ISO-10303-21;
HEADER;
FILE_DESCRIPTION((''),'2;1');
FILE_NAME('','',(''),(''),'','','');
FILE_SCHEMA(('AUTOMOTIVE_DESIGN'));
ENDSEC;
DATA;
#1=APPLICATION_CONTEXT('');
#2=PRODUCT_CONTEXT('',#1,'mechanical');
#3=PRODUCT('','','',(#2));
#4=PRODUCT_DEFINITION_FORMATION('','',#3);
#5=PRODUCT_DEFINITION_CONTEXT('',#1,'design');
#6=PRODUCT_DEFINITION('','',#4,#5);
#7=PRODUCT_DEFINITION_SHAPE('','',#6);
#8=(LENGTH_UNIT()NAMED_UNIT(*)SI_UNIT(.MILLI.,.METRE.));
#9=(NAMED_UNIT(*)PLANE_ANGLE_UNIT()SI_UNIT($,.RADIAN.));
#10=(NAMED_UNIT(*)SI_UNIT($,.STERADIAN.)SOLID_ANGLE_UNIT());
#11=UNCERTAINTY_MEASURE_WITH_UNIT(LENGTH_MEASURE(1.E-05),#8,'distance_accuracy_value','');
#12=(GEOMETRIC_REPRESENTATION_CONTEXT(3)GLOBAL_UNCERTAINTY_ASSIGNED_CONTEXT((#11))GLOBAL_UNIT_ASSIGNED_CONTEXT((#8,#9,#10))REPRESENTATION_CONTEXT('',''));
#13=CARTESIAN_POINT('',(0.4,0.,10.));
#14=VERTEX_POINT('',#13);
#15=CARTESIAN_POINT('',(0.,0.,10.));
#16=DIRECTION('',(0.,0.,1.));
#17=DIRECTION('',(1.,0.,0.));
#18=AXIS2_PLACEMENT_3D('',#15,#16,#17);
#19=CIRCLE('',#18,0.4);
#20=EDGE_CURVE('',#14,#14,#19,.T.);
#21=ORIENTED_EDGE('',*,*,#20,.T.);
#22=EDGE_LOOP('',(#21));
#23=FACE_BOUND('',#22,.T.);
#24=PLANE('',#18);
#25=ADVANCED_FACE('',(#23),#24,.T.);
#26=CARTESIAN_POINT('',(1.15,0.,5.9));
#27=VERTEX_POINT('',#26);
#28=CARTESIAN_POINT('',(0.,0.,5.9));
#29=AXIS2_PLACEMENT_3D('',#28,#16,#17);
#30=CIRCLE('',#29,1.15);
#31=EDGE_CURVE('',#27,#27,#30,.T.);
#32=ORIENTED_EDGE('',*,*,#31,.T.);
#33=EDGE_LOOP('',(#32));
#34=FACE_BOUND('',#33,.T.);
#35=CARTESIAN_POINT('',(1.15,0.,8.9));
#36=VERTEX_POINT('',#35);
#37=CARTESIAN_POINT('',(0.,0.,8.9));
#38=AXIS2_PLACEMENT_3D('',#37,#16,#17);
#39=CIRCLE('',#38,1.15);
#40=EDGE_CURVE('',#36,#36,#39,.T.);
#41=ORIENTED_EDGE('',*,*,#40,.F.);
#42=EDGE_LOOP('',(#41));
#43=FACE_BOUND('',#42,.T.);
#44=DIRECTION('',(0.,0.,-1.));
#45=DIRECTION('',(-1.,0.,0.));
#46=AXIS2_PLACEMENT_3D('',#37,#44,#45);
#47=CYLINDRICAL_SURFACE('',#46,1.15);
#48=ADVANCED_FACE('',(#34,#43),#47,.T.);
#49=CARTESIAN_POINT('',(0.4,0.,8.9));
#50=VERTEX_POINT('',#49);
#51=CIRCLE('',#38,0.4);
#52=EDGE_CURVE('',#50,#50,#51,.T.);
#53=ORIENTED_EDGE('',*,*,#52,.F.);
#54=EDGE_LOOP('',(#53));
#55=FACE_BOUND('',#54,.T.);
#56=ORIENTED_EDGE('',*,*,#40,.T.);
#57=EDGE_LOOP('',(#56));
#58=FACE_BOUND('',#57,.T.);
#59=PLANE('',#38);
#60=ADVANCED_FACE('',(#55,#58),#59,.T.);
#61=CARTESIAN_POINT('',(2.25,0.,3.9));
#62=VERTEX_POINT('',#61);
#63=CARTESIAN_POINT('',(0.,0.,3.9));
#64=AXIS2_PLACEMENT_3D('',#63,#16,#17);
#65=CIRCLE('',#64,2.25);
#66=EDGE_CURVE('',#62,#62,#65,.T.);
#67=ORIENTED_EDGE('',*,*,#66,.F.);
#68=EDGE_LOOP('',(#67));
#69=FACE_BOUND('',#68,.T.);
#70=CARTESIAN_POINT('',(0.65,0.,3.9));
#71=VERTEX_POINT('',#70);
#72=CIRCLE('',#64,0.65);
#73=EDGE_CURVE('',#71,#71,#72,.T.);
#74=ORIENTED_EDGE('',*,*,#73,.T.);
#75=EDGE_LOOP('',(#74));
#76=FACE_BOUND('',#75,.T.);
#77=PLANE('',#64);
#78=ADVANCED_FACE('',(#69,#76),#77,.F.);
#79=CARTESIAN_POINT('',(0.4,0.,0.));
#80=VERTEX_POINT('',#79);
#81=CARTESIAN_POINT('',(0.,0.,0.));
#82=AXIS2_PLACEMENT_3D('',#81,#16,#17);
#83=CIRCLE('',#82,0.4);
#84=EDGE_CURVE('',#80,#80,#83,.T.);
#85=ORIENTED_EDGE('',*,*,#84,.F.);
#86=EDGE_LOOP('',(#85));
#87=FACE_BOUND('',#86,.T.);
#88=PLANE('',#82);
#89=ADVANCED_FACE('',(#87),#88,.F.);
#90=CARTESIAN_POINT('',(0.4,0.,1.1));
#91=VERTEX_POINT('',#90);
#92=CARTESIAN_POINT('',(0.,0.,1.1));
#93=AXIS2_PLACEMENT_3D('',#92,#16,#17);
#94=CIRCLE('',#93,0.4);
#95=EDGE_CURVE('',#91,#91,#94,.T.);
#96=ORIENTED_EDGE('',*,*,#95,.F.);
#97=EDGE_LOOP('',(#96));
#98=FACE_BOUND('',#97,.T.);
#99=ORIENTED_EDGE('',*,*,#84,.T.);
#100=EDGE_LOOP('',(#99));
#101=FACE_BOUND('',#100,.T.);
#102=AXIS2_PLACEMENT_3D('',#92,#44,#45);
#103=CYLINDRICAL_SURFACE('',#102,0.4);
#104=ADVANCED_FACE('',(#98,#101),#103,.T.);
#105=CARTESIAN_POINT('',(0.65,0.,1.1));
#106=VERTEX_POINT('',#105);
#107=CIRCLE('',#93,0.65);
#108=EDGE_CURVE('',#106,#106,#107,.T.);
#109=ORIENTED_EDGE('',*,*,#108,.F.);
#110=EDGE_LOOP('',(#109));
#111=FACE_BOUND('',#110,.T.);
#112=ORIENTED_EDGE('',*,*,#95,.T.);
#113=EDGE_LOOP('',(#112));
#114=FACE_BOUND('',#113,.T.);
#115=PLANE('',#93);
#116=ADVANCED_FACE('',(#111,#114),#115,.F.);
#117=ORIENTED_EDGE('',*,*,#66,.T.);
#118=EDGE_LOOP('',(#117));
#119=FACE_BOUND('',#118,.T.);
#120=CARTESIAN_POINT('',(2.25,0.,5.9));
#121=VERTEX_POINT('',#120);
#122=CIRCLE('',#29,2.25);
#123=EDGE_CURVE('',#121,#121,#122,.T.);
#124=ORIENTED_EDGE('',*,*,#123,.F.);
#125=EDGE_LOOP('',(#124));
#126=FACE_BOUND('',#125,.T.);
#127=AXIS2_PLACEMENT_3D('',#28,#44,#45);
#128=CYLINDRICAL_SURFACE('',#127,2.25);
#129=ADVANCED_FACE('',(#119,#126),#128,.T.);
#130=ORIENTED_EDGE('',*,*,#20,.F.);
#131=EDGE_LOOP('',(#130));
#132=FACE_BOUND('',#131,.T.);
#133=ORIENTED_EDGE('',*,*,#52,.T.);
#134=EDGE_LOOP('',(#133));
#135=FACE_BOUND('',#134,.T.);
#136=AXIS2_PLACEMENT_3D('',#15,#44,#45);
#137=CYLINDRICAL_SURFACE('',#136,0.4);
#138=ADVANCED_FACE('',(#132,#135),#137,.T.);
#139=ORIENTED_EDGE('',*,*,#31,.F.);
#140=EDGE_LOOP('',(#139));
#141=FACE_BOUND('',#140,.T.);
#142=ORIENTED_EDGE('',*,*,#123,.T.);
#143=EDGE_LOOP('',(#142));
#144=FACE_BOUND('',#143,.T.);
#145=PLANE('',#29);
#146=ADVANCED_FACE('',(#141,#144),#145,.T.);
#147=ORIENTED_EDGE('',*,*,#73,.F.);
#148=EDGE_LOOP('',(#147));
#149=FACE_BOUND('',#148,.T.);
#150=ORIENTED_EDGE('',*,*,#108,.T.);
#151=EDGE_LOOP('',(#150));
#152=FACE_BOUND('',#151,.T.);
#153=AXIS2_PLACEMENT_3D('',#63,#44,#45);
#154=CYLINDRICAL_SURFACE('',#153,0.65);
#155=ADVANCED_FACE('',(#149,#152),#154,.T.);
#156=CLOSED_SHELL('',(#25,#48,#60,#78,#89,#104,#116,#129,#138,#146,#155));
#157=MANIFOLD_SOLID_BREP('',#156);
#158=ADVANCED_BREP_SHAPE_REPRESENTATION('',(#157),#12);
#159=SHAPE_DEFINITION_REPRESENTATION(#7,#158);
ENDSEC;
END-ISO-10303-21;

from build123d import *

# Parameters (mm, degrees)
SKETCH1_R           = 0.4
BOSS_EXTRUDE1_DEPTH = 1.1
SKETCH2_R           = 0.65
BOSS_EXTRUDE2_DEPTH = 2.8
SKETCH3_R           = 2.25
BOSS_EXTRUDE3_DEPTH = 2
SKETCH4_R           = 1.15
BOSS_EXTRUDE4_DEPTH = 3
SKETCH5_R           = 0.4
BOSS_EXTRUDE5_DEPTH = 1.1


with BuildPart() as part:
    # Sketch1 → Boss-Extrude1 (new body)
    with BuildSketch(Plane.XY):
        Circle(SKETCH1_R)
    extrude(amount=BOSS_EXTRUDE1_DEPTH)

    # Sketch2 → Boss-Extrude2 (add)
    with BuildSketch(Plane.XY.offset(1.1)):
        Circle(SKETCH2_R)
    extrude(amount=BOSS_EXTRUDE2_DEPTH)

    # Sketch3 → Boss-Extrude3 (add)
    with BuildSketch(Plane.XY.offset(3.9)):
        Circle(SKETCH3_R)
    extrude(amount=BOSS_EXTRUDE3_DEPTH)

    # Sketch4 → Boss-Extrude4 (add)
    with BuildSketch(Plane.XY.offset(5.9)):
        Circle(SKETCH4_R)
    extrude(amount=BOSS_EXTRUDE4_DEPTH)

    # Sketch5 → Boss-Extrude5 (add)
    with BuildSketch(Plane.XY.offset(8.9)):
        Circle(SKETCH5_R)
    extrude(amount=BOSS_EXTRUDE5_DEPTH)


solid = part.part
